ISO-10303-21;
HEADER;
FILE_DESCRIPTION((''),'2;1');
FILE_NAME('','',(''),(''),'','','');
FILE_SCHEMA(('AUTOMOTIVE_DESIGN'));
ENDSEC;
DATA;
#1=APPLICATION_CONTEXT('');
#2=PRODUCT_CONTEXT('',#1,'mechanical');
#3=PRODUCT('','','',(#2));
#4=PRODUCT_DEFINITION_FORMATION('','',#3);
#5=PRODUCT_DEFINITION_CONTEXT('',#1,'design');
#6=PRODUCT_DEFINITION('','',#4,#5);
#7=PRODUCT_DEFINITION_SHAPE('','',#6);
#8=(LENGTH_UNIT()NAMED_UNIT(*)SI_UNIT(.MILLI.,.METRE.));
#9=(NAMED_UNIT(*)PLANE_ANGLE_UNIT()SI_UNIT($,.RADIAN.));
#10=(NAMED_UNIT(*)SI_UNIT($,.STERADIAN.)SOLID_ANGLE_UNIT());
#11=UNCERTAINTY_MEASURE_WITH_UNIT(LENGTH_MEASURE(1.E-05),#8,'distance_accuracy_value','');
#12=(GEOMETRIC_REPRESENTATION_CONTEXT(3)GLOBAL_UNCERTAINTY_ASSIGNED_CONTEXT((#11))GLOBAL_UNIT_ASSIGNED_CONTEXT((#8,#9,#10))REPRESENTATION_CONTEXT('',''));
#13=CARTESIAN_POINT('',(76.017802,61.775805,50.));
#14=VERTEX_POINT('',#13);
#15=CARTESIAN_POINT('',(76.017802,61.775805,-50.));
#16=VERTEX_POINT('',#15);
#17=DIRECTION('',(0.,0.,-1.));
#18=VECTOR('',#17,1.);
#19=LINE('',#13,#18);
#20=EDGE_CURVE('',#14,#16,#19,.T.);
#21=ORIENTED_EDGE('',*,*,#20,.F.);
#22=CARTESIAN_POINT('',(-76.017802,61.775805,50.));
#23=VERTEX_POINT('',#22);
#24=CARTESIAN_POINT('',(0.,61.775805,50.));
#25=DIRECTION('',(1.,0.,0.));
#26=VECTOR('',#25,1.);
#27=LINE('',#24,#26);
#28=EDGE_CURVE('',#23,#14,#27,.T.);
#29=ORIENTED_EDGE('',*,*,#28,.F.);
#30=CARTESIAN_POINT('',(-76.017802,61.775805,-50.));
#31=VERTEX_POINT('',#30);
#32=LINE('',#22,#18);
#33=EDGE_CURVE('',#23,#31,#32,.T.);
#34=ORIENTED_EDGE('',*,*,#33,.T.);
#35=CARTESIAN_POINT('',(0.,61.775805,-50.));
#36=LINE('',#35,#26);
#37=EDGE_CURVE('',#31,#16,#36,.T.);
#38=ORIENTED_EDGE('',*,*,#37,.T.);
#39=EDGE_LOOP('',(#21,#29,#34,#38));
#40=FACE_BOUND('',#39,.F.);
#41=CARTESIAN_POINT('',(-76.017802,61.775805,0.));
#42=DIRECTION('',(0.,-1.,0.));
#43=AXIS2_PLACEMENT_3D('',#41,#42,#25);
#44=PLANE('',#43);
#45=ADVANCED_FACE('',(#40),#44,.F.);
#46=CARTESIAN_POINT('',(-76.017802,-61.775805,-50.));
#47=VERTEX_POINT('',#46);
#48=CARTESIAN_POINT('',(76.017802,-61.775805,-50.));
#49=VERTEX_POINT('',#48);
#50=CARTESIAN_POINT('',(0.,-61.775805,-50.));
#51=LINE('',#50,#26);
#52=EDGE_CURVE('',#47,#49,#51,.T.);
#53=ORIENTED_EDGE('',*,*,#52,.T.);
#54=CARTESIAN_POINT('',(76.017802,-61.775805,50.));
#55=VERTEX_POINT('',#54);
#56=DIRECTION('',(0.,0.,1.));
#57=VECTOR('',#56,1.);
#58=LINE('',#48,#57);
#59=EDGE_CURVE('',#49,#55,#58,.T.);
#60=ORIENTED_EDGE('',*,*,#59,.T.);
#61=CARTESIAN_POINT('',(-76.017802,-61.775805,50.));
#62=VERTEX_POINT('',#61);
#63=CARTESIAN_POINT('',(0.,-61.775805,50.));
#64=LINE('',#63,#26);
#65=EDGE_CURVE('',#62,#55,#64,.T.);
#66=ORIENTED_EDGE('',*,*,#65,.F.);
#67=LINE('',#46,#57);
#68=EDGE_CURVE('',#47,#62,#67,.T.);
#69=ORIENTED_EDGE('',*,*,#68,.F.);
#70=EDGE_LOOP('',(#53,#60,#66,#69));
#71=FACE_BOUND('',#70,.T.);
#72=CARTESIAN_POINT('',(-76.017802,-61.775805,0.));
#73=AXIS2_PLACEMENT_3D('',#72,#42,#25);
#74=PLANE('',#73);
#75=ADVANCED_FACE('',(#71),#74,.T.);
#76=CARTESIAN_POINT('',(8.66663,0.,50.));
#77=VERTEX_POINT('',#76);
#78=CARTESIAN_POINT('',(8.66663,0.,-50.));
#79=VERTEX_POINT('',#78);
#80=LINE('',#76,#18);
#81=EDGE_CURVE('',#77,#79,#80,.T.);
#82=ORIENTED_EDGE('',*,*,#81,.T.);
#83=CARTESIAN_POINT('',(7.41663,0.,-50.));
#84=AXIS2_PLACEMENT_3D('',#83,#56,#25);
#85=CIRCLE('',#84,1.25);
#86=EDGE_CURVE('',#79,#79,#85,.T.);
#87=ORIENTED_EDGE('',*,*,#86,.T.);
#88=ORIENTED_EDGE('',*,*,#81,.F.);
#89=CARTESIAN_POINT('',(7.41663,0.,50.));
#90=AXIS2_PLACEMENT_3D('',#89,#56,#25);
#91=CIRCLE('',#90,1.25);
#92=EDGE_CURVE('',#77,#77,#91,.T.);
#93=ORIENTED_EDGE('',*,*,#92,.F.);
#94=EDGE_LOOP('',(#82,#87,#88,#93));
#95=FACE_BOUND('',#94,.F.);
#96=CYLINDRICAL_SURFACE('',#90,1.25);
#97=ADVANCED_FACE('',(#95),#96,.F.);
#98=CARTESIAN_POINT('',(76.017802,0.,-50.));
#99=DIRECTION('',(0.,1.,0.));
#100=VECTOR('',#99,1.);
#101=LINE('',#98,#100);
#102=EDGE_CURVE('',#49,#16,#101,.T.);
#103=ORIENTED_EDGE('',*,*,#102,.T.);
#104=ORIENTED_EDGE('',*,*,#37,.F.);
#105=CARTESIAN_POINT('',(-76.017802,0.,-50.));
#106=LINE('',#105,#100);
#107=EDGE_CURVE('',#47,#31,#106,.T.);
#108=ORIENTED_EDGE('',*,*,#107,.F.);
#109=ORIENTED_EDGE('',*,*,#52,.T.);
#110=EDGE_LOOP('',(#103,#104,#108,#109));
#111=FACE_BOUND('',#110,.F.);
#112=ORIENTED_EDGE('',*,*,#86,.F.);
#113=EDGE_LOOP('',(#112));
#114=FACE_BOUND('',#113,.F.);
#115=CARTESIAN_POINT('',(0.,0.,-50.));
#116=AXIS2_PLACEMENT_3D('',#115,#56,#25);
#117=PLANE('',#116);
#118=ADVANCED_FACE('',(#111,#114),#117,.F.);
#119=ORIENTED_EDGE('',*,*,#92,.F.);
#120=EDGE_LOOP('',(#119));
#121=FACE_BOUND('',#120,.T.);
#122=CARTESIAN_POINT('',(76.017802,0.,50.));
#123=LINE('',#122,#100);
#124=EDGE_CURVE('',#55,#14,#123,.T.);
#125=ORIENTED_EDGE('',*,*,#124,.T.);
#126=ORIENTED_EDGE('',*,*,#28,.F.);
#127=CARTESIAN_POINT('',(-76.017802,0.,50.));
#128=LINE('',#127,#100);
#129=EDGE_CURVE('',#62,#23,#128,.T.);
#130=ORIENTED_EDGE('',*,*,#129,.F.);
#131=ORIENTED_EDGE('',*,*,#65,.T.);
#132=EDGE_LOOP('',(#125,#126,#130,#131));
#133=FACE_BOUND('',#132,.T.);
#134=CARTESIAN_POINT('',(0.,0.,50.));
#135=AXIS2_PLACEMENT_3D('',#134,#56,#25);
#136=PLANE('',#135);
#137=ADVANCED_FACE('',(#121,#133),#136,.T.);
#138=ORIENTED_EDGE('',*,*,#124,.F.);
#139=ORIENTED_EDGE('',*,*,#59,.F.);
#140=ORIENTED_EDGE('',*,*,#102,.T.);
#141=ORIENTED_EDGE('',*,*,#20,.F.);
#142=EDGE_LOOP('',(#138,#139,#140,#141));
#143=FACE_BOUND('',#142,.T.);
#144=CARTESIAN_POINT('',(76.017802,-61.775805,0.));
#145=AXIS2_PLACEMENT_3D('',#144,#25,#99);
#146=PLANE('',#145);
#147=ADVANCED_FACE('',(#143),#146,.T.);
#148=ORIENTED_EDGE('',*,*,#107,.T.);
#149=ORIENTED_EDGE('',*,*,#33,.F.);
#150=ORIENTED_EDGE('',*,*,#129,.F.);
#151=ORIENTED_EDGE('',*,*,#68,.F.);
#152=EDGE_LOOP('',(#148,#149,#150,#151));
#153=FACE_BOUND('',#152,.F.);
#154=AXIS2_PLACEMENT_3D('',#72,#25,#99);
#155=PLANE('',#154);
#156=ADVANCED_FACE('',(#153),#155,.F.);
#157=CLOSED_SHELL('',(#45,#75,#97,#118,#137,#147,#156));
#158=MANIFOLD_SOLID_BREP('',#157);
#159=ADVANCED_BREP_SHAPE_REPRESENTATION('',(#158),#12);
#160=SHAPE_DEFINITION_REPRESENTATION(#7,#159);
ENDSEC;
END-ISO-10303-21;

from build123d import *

# Parameters (mm, degrees)
F0_W     = 152.035604
F0_H     = 123.55161
F0_R     = 10
F1_DEPTH = 50
F2_R     = 1.25
F3_DEPTH = 100.001


with BuildPart() as f1:
    # F0 (on Top) → F1 (new body, symmetric)
    with BuildSketch(Plane.XY):
        Rectangle(F0_W, F0_H)
        with BuildLine():
            ThreePointArc((63.768784, -47.5), (63.036551, -49.267767), (61.268784, -50))
            Line((61.268784, -50), (-61.268784, -50))
            ThreePointArc((-61.268784, -50), (-63.036551, -49.267767), (-63.768784, -47.5))
            Line((-63.768784, -47.5), (-63.768784, 47.5))
            ThreePointArc((-63.768784, 47.5), (-63.036551, 49.267767), (-61.268784, 50))
            Line((-61.268784, 50), (61.268784, 50))
            ThreePointArc((61.268784, 50), (63.036551, 49.267767), (63.768784, 47.5))
            Line((63.768784, 47.5), (63.768784, -47.5))
        make_face(mode=Mode.SUBTRACT)
        with BuildLine():
            Line((-61.268784, -50), (61.268784, -50))
            ThreePointArc((61.268784, -50), (63.036551, -49.267767), (63.768784, -47.5))
            Line((63.768784, -47.5), (63.768784, 47.5))
            ThreePointArc((63.768784, 47.5), (63.036551, 49.267767), (61.268784, 50))
            Line((61.268784, 50), (-61.268784, 50))
            ThreePointArc((-61.268784, 50), (-63.036551, 49.267767), (-63.768784, 47.5))
            Line((-63.768784, 47.5), (-63.768784, -47.5))
            ThreePointArc((-63.768784, -47.5), (-63.036551, -49.267767), (-61.268784, -50))
        make_face()
        Circle(F0_R, mode=Mode.SUBTRACT)
        Circle(F0_R)
    extrude(amount=F1_DEPTH, both=True)

    # F2 (on face) → F3 (cut, through all)
    with BuildSketch(Plane.XY.offset(50)):
        with Locations((7.41663, 0)):
            Circle(F2_R)
    extrude(amount=-F3_DEPTH, mode=Mode.SUBTRACT)


solid = f1.part
